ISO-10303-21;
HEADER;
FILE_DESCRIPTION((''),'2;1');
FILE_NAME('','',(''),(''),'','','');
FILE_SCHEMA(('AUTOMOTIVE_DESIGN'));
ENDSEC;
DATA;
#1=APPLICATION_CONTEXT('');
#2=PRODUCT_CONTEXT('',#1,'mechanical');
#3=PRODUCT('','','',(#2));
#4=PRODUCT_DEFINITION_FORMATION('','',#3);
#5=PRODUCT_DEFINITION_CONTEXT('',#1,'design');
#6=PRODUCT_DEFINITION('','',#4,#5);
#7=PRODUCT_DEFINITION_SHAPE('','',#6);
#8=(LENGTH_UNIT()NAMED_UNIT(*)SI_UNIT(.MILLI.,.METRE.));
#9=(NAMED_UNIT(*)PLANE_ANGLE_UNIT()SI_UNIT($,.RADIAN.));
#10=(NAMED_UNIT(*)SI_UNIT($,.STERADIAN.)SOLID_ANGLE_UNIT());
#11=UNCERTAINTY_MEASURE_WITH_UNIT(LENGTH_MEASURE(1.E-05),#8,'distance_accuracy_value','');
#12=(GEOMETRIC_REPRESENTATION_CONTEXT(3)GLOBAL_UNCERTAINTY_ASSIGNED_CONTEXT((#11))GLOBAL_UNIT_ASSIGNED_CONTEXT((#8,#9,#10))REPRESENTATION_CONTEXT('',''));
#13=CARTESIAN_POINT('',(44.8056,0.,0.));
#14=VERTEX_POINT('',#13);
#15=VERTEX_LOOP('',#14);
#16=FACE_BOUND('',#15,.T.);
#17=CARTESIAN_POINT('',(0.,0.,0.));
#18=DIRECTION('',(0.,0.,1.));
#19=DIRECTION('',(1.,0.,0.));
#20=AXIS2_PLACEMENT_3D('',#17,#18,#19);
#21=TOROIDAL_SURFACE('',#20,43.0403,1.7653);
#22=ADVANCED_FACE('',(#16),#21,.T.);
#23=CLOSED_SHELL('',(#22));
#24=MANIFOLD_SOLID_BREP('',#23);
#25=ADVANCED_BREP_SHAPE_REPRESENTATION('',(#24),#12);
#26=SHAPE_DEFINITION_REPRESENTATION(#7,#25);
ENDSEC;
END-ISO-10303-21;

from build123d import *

# Parameters (mm, degrees)
SKETCH2_R = 1.7653


with BuildPart() as part:
    # Sketch2 → Revolve1 (revolve)
    with BuildSketch(Plane(origin=(0, 0, 0), x_dir=(0, 0, -1), z_dir=(1, 0, 0)), mode=Mode.PRIVATE) as revolve1_sk:
        with Locations((0, 43.0403)):
            Circle(SKETCH2_R)
    revolve(revolve1_sk.sketch.rotate(Axis((0, 0, 5.972582188), (0, 0, -1)), 90), axis=Axis((0, 0, 5.972582188), (0, 0, -1)))


solid = part.part
